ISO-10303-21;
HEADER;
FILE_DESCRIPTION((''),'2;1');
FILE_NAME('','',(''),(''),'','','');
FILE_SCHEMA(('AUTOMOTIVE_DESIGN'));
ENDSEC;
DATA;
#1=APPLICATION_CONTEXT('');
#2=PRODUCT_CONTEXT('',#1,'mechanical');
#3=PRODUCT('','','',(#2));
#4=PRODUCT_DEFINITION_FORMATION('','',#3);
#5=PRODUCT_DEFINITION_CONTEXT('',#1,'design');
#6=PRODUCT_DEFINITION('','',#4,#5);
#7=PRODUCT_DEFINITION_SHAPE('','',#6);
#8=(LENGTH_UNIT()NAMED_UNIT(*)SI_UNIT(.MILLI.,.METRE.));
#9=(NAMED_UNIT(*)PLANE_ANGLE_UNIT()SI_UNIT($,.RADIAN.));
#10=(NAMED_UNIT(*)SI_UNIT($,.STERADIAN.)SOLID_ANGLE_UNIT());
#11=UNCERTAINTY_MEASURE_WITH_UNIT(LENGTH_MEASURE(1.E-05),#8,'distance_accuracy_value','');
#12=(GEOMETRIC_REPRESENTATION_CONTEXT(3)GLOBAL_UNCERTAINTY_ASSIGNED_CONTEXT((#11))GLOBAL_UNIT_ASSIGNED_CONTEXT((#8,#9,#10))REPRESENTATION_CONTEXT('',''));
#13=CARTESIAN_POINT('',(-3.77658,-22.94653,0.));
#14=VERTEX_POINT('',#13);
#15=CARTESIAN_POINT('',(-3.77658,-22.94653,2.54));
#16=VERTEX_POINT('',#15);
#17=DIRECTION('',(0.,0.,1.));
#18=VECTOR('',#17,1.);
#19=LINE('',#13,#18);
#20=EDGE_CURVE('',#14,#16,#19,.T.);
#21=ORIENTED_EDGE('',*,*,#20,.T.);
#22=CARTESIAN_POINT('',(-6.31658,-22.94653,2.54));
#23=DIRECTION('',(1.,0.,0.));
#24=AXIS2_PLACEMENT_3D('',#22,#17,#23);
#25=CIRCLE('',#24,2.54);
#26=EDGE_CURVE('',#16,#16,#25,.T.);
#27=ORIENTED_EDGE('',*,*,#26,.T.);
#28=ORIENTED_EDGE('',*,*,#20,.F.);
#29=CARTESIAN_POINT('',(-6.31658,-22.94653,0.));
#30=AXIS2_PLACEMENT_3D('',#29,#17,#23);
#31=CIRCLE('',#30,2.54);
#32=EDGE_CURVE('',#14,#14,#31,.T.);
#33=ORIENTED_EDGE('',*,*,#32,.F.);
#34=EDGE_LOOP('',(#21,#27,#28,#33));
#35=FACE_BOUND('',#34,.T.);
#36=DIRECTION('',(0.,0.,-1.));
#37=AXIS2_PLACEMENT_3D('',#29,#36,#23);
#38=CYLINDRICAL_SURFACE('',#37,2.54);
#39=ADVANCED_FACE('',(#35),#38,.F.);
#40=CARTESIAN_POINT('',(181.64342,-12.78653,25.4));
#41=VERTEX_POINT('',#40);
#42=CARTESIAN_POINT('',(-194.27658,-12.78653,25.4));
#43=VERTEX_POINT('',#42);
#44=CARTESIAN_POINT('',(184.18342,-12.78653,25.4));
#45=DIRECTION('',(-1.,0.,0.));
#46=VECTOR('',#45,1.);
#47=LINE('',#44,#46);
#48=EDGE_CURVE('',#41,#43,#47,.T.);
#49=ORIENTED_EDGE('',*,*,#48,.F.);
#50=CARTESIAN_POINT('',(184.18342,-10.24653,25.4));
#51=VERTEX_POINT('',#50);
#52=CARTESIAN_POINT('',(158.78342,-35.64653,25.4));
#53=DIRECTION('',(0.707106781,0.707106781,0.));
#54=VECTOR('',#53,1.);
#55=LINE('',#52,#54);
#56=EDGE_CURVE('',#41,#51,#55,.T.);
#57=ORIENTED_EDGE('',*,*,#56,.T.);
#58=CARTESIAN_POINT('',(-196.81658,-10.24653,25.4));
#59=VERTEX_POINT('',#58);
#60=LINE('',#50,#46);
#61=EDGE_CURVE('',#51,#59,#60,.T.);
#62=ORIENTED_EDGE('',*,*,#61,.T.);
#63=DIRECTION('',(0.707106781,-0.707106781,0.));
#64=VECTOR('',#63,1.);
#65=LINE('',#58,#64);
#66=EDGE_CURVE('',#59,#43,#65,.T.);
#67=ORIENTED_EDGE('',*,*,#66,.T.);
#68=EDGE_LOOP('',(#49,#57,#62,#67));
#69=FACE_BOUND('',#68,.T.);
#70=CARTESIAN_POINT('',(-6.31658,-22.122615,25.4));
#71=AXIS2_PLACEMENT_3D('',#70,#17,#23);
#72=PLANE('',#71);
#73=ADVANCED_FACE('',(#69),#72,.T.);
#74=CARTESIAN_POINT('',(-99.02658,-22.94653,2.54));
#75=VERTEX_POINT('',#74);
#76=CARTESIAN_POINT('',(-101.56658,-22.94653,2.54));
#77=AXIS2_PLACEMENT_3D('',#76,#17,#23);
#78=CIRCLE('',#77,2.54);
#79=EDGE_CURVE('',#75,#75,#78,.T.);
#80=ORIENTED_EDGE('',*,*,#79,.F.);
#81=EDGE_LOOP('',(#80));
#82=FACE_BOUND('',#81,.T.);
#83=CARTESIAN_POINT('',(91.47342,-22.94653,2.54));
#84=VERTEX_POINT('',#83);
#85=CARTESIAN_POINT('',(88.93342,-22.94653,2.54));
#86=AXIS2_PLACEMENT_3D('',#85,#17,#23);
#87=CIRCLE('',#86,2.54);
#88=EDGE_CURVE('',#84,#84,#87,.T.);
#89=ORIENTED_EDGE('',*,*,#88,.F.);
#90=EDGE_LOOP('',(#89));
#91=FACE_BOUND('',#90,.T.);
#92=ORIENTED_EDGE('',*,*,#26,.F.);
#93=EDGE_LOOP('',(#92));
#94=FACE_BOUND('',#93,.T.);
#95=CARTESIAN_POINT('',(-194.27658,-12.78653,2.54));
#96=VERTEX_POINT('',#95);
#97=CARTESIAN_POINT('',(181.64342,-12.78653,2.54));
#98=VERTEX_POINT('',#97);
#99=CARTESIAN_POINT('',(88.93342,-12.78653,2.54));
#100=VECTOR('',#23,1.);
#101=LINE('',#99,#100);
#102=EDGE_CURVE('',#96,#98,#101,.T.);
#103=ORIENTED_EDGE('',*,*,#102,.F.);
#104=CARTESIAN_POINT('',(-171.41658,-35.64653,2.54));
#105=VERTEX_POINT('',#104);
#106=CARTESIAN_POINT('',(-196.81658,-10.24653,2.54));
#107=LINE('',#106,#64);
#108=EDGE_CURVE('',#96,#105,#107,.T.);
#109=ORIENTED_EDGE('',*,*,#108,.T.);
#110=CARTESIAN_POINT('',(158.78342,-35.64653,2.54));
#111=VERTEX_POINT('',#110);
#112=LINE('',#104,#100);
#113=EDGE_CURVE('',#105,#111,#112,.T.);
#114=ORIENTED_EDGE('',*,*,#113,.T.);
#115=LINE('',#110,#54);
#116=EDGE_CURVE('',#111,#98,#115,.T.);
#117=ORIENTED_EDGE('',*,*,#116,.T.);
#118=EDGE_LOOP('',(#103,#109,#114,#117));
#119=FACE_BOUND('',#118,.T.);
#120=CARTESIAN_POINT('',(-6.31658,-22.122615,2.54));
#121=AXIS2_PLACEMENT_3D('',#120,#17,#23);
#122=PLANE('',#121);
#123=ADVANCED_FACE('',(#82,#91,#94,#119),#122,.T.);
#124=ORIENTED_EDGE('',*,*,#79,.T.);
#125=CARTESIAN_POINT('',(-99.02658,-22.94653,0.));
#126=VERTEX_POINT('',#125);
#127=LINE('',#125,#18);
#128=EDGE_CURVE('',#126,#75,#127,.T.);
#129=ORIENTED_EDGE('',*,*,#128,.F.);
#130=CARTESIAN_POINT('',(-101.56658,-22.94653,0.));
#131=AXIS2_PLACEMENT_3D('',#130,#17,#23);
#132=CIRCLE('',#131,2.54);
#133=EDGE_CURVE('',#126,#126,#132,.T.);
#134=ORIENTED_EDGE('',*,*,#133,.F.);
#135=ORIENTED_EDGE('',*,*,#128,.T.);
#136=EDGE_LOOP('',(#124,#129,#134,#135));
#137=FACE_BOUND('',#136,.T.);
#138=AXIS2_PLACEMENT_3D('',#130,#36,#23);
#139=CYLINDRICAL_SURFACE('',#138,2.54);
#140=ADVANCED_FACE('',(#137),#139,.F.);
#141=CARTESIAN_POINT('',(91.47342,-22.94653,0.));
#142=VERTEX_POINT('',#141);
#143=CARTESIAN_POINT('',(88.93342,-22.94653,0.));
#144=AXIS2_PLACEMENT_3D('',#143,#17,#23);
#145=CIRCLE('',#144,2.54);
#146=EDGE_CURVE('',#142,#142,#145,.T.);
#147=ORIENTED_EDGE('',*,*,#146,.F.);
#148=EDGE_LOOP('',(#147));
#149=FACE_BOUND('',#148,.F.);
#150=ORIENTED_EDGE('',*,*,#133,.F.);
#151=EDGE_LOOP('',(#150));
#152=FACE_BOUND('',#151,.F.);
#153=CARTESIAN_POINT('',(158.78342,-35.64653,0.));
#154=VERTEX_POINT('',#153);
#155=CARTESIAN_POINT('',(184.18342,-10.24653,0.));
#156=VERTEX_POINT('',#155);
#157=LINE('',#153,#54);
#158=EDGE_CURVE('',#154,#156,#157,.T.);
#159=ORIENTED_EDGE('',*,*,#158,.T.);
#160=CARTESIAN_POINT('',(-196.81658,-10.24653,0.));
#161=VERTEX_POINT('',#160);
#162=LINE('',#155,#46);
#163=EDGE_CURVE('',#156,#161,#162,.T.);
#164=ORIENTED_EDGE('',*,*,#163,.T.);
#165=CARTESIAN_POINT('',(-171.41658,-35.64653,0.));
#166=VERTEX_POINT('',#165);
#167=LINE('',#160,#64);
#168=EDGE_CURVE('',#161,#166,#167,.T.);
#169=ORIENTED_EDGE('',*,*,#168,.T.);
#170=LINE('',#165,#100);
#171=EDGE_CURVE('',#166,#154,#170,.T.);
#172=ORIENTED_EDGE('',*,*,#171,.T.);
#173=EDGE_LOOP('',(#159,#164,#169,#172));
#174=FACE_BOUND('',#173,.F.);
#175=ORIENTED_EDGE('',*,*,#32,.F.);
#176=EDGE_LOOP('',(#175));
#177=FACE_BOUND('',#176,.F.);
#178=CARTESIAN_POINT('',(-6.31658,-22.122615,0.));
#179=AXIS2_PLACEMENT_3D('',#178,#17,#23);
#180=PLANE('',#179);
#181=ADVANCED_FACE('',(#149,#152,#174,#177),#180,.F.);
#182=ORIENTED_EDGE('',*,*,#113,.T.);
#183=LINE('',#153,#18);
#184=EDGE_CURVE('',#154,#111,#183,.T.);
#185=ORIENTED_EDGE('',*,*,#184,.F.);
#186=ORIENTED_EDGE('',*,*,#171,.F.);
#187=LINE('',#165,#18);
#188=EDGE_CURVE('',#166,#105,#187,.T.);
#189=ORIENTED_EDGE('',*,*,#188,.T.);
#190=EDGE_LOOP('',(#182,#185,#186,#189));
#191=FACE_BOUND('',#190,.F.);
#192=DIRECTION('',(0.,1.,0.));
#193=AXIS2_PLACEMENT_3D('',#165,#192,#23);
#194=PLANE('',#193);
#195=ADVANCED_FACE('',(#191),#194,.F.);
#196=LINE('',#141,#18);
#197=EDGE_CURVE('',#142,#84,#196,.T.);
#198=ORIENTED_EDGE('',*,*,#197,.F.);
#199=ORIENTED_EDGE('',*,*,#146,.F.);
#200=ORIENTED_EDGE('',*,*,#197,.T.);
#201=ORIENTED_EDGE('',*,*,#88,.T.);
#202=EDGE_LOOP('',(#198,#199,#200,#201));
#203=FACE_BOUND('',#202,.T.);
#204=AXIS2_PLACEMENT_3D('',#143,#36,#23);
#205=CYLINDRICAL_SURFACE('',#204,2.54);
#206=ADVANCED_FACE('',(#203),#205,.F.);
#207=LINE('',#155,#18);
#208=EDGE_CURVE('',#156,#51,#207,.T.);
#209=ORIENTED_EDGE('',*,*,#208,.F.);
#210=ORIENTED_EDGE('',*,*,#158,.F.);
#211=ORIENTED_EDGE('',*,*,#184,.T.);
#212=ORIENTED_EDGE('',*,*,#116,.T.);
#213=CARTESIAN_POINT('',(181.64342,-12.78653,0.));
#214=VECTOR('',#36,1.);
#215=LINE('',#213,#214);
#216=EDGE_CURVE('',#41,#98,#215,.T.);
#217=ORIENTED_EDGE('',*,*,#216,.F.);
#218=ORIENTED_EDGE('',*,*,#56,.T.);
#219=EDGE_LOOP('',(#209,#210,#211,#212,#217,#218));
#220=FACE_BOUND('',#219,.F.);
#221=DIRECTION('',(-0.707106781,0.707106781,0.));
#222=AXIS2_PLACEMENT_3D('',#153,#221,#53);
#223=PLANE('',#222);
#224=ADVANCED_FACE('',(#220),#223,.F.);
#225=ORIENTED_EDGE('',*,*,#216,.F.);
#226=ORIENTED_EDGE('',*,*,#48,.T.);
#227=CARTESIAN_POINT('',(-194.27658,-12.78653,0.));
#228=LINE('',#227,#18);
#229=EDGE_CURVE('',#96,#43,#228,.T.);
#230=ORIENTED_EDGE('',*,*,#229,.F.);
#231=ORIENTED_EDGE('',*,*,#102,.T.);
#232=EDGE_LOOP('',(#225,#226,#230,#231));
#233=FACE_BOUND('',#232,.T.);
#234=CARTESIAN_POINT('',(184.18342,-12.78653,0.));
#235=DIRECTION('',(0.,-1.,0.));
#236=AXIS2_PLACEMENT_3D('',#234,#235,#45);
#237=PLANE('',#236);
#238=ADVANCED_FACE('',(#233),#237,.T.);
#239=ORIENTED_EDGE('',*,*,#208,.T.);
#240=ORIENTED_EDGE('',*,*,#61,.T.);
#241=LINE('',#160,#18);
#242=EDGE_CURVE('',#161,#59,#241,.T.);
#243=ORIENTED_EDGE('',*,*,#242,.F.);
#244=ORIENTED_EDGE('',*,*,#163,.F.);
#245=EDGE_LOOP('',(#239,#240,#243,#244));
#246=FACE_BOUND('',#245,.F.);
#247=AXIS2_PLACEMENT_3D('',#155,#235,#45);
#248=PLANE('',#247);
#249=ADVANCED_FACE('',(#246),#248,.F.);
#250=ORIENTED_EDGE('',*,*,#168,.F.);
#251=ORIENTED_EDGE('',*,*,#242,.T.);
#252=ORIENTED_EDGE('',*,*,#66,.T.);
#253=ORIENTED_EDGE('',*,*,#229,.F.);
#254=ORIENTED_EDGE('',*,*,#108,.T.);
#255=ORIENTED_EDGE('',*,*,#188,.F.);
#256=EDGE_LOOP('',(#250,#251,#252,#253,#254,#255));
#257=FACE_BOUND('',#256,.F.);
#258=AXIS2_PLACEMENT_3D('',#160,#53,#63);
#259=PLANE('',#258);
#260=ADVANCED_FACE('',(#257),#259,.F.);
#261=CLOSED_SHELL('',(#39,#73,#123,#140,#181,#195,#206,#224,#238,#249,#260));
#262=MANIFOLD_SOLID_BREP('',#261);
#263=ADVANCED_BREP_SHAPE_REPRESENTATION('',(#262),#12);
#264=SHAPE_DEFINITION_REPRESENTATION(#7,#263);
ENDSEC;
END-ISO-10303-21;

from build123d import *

# Parameters (mm, degrees)
F0_R     = 2.54
F1_DEPTH = 25.4
F2_T     = -2.54


with BuildPart() as f1:
    # F0 (on Top) → F1 (new body)
    with BuildSketch(Plane.XY):
        Polygon((184.18342, -10.24653), (-196.81658, -10.24653), (-171.41658, -35.64653), (158.78342, -35.64653), align=None)
        with Locations((-101.56658, -22.94653)):
            Circle(F0_R, mode=Mode.SUBTRACT)
        with Locations((-6.31658, -22.94653)):
            Circle(F0_R, mode=Mode.SUBTRACT)
        with Locations((88.93342, -22.94653)):
            Circle(F0_R, mode=Mode.SUBTRACT)
    extrude(amount=F1_DEPTH)

    # F2
    f2_openings = [f1.faces().sort_by_distance(p)[0] for p in [
        (-104.10658, -22.94653, 12.7),
        (-8.85658, -22.94653, 12.7),
        (86.39342, -22.94653, 12.7),
        (-184.11658, -22.94653, 12.7),
        (171.48342, -22.94653, 12.7),
        (-6.31658, -35.64653, 12.7),
        (168.783363, -20.246473, 25.4),
    ]]
    offset(amount=F2_T, openings=f2_openings)


solid = f1.part
